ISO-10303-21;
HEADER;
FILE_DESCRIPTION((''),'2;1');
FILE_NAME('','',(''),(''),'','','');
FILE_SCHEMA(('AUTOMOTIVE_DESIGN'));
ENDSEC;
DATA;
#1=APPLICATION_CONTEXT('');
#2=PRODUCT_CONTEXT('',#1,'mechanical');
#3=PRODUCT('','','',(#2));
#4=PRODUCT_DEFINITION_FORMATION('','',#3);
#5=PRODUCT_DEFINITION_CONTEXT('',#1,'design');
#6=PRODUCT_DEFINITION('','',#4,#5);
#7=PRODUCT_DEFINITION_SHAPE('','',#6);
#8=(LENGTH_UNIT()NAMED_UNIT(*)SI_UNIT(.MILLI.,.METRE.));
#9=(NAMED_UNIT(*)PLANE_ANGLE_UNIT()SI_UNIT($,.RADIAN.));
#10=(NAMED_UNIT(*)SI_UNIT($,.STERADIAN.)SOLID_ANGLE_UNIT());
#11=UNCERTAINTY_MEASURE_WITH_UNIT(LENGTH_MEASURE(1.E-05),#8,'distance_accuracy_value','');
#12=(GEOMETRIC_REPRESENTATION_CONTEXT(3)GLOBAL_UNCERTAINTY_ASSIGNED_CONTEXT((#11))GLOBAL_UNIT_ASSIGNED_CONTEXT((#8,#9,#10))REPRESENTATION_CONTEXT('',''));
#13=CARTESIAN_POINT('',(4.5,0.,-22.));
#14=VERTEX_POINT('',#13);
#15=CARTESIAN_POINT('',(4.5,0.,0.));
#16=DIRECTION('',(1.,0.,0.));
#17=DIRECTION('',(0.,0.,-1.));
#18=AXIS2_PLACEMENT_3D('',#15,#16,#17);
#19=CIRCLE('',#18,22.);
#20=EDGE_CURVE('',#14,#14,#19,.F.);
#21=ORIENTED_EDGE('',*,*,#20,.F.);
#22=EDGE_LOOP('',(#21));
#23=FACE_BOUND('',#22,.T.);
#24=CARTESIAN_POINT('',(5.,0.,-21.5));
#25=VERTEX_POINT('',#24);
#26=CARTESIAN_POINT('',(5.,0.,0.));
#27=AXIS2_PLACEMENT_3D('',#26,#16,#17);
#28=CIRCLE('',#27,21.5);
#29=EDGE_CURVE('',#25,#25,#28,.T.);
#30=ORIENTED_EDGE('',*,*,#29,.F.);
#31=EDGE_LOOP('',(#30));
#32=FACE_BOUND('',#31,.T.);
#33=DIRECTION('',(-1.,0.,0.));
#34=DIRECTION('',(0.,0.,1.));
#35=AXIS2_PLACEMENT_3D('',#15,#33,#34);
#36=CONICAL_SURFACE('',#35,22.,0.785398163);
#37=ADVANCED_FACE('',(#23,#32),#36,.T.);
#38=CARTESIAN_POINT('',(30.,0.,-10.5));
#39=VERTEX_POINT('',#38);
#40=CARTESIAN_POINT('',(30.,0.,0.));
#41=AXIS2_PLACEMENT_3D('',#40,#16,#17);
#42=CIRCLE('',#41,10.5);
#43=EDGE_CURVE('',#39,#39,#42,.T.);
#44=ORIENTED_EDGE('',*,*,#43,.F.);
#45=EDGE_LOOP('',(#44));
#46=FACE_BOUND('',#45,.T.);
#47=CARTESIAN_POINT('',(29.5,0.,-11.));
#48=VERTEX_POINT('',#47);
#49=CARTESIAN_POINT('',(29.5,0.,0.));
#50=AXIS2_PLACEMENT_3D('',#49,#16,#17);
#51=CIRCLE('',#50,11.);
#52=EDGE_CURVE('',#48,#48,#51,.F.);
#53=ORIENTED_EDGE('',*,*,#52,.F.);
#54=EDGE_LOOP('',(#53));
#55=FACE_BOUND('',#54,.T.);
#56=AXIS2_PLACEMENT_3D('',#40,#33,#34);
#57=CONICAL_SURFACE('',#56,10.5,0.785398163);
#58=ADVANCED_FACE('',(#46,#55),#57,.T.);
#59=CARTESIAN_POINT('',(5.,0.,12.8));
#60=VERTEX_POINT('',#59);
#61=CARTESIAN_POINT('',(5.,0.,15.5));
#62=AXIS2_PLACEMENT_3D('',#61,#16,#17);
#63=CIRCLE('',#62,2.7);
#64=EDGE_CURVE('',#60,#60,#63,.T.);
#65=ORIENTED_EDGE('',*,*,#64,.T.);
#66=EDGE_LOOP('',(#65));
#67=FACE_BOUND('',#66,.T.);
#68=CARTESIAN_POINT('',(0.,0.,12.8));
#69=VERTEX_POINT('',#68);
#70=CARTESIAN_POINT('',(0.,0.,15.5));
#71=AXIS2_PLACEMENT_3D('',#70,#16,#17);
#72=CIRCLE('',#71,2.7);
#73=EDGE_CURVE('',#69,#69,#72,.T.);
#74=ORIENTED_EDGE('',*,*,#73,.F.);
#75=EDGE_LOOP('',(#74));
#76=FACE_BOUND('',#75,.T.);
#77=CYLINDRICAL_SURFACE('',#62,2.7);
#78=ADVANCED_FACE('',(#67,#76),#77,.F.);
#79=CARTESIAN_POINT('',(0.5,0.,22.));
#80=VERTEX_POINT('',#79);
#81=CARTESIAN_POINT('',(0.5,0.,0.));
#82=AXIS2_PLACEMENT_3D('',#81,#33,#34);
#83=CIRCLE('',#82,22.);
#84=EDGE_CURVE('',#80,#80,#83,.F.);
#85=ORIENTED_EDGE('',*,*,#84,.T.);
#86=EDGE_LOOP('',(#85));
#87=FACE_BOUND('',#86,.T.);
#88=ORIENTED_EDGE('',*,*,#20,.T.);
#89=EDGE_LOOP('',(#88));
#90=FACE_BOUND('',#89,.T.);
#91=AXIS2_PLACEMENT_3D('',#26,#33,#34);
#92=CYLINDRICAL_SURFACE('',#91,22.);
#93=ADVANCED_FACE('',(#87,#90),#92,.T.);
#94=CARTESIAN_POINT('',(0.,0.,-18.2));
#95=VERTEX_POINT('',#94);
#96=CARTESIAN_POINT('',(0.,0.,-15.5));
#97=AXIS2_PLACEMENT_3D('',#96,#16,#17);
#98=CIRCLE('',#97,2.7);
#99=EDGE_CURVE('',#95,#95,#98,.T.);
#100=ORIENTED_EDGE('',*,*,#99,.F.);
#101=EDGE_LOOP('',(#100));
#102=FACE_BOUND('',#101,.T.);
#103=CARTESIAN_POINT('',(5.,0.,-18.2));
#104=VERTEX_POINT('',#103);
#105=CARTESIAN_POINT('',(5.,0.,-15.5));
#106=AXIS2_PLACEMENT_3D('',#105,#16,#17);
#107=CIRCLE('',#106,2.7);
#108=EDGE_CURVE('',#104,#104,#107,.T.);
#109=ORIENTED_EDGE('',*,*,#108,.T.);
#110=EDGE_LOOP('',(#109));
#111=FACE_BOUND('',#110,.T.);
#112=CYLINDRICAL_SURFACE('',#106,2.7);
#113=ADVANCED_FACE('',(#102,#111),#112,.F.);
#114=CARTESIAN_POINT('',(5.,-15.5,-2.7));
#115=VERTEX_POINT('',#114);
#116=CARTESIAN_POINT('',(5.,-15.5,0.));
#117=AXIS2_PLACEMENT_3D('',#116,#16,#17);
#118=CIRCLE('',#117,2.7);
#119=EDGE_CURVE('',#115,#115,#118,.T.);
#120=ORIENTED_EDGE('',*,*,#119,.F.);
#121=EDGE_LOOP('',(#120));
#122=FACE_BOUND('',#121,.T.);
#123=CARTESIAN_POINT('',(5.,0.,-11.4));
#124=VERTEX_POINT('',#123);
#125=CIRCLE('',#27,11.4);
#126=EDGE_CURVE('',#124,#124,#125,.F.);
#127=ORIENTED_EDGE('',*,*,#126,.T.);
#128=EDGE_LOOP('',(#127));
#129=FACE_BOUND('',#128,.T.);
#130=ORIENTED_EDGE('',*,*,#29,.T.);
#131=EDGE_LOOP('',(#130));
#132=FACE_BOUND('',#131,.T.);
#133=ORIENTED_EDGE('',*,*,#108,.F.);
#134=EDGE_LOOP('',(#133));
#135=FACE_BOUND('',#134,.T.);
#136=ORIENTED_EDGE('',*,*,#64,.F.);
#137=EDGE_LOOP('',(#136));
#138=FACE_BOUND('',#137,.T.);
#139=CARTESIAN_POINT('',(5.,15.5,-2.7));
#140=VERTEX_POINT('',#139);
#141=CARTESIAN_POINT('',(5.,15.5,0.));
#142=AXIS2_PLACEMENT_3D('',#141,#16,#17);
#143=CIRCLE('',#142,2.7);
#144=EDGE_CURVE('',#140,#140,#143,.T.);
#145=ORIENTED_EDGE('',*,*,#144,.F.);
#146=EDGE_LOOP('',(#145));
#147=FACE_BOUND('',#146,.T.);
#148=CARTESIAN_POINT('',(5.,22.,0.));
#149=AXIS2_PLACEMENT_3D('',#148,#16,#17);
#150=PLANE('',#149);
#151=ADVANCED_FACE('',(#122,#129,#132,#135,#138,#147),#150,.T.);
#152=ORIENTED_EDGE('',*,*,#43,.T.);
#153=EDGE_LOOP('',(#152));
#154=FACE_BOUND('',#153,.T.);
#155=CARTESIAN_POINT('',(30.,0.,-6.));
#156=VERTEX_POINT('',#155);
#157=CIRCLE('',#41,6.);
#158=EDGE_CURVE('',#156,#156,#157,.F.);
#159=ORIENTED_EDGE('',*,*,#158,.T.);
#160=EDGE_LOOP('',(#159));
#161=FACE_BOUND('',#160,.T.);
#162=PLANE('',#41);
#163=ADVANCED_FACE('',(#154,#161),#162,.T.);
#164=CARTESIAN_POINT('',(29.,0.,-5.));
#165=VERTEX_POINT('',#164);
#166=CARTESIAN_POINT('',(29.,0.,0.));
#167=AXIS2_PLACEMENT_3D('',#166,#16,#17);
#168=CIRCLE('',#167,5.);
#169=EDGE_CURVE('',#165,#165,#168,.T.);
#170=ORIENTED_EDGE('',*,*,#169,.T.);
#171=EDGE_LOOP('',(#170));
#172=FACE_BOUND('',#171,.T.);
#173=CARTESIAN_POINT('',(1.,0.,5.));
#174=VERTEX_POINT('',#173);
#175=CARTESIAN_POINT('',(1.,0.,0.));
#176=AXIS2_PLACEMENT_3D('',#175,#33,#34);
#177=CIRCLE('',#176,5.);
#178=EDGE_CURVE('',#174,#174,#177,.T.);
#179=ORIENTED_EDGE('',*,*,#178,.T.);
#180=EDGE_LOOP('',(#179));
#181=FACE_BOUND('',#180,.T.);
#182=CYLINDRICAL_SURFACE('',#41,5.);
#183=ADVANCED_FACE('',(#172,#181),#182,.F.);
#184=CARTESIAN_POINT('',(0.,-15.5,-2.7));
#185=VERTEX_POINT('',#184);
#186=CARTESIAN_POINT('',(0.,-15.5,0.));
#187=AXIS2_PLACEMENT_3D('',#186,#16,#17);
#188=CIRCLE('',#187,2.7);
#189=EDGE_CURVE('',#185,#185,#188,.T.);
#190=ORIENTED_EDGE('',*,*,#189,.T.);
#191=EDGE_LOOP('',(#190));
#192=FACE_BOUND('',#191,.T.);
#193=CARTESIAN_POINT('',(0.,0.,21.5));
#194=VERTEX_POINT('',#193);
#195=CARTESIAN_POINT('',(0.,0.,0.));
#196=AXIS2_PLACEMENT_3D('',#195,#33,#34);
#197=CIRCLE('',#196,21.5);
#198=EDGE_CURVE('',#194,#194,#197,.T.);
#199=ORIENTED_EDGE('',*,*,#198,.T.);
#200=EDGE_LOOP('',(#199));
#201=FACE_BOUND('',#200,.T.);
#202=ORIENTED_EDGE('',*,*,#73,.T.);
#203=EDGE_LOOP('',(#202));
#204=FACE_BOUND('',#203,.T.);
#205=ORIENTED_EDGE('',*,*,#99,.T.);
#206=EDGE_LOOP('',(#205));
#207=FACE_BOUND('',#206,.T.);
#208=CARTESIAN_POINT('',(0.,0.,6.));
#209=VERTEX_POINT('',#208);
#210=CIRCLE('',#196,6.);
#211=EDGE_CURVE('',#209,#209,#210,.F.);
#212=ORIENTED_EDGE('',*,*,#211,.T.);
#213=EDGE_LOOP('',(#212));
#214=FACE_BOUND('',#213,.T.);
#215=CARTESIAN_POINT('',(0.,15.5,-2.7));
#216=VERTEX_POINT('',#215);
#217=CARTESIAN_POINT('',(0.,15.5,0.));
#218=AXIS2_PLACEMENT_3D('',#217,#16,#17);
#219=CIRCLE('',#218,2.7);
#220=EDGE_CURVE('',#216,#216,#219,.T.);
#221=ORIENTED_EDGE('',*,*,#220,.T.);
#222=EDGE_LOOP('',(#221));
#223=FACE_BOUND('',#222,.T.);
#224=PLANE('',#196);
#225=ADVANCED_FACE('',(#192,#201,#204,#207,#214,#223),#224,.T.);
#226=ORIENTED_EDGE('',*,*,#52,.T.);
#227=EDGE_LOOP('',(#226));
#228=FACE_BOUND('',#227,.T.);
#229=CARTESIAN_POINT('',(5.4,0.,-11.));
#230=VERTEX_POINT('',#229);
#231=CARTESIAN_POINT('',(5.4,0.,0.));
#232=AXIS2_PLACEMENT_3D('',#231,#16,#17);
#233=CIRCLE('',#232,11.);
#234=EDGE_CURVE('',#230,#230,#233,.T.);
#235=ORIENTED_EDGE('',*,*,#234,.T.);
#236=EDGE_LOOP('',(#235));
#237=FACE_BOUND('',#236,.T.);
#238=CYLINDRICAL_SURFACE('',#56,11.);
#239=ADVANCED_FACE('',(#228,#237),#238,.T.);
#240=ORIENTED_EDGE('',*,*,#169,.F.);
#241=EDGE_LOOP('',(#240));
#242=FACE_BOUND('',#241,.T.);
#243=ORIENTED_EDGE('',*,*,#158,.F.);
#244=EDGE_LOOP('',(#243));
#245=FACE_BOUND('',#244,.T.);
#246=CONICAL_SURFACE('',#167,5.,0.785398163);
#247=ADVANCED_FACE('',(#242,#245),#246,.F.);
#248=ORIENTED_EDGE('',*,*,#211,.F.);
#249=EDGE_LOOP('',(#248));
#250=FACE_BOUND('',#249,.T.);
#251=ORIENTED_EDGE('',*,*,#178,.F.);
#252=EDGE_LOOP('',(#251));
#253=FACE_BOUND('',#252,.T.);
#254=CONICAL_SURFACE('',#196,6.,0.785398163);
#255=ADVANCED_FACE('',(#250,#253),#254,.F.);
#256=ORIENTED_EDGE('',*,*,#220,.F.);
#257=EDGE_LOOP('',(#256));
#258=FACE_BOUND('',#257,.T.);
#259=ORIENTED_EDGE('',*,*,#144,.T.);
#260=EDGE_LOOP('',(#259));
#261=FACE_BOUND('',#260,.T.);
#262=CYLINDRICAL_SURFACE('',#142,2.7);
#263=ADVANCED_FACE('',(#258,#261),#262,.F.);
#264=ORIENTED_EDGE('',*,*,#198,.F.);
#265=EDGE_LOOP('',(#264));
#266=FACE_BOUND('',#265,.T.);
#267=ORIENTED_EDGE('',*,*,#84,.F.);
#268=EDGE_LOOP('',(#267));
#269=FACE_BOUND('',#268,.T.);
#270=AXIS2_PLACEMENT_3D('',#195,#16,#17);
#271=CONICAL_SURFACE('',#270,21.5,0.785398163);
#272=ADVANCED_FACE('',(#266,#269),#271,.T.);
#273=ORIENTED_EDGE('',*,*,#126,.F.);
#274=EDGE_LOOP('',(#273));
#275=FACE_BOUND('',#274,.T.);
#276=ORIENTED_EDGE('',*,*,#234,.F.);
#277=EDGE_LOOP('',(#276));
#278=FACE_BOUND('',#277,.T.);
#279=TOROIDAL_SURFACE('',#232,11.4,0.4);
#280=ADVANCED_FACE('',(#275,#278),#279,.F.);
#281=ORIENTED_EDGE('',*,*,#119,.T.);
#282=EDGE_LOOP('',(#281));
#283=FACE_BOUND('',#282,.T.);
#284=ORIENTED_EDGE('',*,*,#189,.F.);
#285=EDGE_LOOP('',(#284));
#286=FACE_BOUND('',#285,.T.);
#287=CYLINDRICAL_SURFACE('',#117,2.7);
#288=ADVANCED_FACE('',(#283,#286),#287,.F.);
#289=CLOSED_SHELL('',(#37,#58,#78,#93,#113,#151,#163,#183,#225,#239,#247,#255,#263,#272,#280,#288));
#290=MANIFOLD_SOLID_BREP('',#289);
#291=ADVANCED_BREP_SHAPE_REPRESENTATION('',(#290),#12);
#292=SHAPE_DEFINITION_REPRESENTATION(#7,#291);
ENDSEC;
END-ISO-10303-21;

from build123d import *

# Parameters (mm, degrees)
SKETCH1_W      = 5
SKETCH1_H      = 22
SKETCH2_R      = 11
EXTRUDE1_DEPTH = 25
HOLEWZD1_D     = 5.4
HOLEWZD2_D     = 10
HOLEWZD2_DEPTH = 30
CHAMFER1_SIZE  = 0.5
CHAMFER2_SIZE  = 1
FILLET1_R      = 0.4


with BuildPart() as part:
    # Sketch1 → Revolve1 (revolve)
    with BuildSketch(Plane(origin=(0, 0, 0), x_dir=(-1, 0, 0), z_dir=(0, 0, -1))):
        with Locations((-2.5, 11)):
            Rectangle(SKETCH1_W, SKETCH1_H)
    revolve(axis=Axis((5, 0, 0), (-1, 0, 0)))

    # Sketch2 → Extrude1 (add)
    with BuildSketch(Plane(origin=(5, 0, 0), x_dir=(0, 0, -1), z_dir=(1, 0, 0))):
        Circle(SKETCH2_R)
    extrude(amount=EXTRUDE1_DEPTH)

    # HoleWzd1 (through all)
    with Locations(Plane(origin=(5, 0, 0), x_dir=(0, 0, -1), z_dir=(1, 0, 0))):
        with Locations((0, -15.5), (15.5, 0), (-15.5, 0), (0, 15.5)):
            Hole(HOLEWZD1_D / 2)

    # HoleWzd2
    with Locations(Plane(origin=(30, 0, 0), x_dir=(0, 0, -1), z_dir=(1, 0, 0))):
        with Locations((0, 0)):
            Hole(HOLEWZD2_D / 2, depth=HOLEWZD2_DEPTH)

    # Chamfer1
    chamfer1_edges = [part.edges().sort_by_distance(p)[0] for p in [
        (0, -22, 0),
        (5, -22, 0),
        (30, 0, 11),
    ]]
    chamfer(chamfer1_edges, length=CHAMFER1_SIZE)

    # Chamfer2
    chamfer2_edges = [part.edges().sort_by_distance(p)[0] for p in [
        (30, 0, -5),
        (0, 0, -5),
    ]]
    chamfer(chamfer2_edges, length=CHAMFER2_SIZE)

    # Fillet1
    fillet1_edges = [part.edges().sort_by_distance(p)[0] for p in [
        (5, 0, 11),
    ]]
    fillet(fillet1_edges, radius=FILLET1_R)


solid = part.part
